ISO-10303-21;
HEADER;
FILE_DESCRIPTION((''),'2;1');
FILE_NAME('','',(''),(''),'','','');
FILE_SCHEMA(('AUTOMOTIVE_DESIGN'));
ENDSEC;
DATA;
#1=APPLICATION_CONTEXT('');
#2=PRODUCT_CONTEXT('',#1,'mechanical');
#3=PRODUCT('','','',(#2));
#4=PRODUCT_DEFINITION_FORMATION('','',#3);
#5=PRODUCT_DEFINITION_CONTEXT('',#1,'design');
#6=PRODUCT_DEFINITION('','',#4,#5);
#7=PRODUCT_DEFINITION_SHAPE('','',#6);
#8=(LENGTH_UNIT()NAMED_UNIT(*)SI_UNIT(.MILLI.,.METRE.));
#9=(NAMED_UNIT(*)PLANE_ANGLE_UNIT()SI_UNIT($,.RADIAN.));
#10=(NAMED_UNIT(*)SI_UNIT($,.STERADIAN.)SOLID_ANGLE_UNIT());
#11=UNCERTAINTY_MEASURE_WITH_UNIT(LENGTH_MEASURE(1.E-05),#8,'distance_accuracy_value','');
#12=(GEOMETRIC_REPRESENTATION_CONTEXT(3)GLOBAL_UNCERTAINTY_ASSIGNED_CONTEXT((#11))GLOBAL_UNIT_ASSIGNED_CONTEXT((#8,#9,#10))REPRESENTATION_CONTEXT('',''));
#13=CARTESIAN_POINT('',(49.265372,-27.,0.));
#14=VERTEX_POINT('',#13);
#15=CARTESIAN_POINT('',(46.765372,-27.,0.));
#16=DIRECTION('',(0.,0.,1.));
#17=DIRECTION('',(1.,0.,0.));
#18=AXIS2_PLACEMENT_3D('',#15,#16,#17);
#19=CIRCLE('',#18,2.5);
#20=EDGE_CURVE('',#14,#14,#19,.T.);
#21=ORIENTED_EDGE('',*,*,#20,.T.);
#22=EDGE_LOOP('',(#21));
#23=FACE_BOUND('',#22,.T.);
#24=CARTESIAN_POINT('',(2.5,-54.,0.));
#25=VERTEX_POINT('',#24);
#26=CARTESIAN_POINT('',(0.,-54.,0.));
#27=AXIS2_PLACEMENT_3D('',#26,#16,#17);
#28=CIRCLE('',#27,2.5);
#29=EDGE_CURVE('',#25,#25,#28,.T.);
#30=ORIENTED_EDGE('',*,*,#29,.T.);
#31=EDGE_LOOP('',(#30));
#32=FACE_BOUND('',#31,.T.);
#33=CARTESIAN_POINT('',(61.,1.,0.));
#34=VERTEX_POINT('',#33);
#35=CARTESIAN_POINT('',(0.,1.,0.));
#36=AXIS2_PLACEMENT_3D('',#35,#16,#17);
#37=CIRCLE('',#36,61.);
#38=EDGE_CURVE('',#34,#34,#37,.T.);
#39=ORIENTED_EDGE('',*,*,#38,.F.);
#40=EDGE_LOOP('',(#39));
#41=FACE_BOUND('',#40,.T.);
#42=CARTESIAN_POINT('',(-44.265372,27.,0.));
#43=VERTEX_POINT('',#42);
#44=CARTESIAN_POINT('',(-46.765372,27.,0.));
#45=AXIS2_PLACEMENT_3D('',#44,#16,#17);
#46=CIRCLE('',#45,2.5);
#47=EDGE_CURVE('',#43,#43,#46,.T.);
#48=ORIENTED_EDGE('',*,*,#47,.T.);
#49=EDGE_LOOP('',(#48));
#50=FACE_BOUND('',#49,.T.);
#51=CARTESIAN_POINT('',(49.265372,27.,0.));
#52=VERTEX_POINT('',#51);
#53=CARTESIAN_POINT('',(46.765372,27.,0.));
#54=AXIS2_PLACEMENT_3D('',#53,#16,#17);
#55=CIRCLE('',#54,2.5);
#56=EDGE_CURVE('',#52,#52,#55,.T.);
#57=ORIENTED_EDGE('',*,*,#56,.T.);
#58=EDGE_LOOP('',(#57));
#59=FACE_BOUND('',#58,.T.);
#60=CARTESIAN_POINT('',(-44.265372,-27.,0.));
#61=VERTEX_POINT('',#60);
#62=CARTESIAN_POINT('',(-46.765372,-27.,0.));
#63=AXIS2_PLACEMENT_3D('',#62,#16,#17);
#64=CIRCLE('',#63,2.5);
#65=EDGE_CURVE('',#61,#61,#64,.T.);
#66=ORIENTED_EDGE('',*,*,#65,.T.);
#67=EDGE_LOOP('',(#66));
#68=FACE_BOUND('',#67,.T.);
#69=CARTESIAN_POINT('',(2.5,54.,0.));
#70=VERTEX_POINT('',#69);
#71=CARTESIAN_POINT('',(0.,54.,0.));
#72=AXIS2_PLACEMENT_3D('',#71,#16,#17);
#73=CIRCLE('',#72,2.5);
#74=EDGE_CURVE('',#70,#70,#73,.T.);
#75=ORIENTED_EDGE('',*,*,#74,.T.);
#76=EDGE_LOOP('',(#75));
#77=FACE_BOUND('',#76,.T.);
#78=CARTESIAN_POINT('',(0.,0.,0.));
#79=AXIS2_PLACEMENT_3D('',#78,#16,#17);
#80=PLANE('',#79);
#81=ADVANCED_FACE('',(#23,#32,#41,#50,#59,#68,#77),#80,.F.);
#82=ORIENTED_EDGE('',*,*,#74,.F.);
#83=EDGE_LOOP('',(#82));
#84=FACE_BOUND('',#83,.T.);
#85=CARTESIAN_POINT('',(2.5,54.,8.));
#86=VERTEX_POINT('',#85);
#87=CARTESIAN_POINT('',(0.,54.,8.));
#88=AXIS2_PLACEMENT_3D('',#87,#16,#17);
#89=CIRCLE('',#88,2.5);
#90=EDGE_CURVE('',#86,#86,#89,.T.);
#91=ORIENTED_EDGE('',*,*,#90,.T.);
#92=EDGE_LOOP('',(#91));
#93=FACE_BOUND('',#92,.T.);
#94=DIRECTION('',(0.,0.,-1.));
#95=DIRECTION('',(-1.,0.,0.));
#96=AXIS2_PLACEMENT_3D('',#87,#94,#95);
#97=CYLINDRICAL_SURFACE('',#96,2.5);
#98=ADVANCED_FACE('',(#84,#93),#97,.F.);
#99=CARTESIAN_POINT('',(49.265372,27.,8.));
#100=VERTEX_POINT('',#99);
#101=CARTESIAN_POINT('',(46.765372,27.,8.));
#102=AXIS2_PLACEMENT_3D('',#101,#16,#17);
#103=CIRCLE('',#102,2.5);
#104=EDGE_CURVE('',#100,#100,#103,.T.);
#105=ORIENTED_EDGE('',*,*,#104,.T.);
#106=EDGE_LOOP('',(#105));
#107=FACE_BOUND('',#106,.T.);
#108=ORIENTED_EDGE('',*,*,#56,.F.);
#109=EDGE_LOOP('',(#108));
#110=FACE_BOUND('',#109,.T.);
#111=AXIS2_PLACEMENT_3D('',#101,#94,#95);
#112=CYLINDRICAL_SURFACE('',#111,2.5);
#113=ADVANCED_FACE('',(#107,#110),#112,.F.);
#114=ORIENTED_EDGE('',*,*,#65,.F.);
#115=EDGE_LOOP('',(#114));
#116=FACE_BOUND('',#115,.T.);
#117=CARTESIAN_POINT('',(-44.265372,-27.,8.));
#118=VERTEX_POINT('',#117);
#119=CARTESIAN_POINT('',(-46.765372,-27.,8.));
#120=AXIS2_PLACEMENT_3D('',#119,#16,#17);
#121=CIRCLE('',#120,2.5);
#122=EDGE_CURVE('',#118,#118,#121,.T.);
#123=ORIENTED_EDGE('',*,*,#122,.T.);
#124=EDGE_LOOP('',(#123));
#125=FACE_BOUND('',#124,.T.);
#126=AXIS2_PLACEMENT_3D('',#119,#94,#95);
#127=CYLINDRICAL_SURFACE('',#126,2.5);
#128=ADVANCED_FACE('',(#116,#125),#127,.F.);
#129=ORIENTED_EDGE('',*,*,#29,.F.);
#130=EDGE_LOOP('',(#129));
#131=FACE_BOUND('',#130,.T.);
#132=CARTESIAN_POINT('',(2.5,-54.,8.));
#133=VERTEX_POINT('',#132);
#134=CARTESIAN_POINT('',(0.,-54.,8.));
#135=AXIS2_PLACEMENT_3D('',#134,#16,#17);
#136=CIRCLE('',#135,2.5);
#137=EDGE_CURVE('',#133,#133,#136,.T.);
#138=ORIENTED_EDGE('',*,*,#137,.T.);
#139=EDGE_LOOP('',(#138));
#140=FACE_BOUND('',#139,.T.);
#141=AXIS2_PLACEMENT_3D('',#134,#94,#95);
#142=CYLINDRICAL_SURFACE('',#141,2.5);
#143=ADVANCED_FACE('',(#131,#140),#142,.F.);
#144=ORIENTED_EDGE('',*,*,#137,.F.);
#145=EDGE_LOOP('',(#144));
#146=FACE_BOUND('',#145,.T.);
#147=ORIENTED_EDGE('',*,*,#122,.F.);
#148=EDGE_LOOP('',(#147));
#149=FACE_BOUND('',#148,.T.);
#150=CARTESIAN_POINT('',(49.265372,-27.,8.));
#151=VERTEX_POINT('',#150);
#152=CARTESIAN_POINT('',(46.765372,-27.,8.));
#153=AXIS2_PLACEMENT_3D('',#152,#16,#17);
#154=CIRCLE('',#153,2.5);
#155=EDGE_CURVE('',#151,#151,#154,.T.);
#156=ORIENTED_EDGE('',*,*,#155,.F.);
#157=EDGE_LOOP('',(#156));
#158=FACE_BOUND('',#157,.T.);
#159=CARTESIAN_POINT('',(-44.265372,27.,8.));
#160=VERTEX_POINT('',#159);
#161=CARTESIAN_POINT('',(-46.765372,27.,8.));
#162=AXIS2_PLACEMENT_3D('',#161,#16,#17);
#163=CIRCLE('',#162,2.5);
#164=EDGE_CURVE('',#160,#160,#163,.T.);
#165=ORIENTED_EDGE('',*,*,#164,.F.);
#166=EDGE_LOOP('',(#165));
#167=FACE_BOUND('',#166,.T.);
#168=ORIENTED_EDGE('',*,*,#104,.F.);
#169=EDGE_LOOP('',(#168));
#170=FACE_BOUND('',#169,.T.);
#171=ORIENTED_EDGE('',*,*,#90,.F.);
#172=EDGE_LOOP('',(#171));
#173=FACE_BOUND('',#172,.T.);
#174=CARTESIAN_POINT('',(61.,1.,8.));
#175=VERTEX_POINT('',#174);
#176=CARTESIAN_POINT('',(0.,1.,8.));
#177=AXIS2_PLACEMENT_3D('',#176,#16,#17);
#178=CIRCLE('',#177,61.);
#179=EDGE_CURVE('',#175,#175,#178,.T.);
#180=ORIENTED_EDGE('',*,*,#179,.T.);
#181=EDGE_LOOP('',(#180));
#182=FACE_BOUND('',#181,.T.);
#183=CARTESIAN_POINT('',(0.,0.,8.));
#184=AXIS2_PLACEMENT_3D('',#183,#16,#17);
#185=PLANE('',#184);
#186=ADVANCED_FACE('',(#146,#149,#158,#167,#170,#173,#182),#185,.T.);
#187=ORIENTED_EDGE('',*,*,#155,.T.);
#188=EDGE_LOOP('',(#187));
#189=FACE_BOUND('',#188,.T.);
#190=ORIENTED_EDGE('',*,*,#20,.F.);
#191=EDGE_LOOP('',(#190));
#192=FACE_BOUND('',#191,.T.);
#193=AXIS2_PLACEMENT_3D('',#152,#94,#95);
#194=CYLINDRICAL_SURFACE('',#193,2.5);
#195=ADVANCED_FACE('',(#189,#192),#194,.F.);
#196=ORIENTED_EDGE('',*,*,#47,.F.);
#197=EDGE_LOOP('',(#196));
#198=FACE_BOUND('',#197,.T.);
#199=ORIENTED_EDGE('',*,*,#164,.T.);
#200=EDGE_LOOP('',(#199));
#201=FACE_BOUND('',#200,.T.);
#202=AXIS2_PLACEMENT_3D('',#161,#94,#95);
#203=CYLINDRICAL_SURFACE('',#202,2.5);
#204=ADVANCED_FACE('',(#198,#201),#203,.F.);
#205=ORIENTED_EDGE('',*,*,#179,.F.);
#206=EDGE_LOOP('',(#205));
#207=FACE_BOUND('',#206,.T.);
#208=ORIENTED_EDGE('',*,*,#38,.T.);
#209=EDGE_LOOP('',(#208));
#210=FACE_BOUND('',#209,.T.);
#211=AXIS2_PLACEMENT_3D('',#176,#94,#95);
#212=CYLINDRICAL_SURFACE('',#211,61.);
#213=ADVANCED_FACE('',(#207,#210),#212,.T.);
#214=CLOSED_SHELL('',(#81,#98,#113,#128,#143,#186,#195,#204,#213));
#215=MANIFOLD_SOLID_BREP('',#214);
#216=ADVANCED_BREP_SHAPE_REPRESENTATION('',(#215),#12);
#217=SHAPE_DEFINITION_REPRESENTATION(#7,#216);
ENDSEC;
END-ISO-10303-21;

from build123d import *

# Parameters (mm, degrees)
SKETCH1_R           = 61
SKETCH1_R_2         = 2.5
BOSS_EXTRUDE1_DEPTH = 8


with BuildPart() as part:
    # Sketch1 → Boss-Extrude1 (new body)
    with BuildSketch(Plane(origin=(0, 0, 0), x_dir=(-1, 0, 0), z_dir=(0, 0, 1))):
        with Locations(Location((0, -1, 0), (0, 0, 180))):
            Circle(SKETCH1_R)
        with Locations(Location((0, 54, 0), (0, 0, 180))):
            Circle(SKETCH1_R_2, mode=Mode.SUBTRACT)
        with Locations(Location((46.765371804, 27, 0), (0, 0, 180))):
            Circle(SKETCH1_R_2, mode=Mode.SUBTRACT)
        with Locations(Location((46.765371804, -27, 0), (0, 0, 180))):
            Circle(SKETCH1_R_2, mode=Mode.SUBTRACT)
        with Locations(Location((0, -54, 0), (0, 0, 180))):
            Circle(SKETCH1_R_2, mode=Mode.SUBTRACT)
        with Locations(Location((-46.765371804, -27, 0), (0, 0, 180))):
            Circle(SKETCH1_R_2, mode=Mode.SUBTRACT)
        with Locations(Location((-46.765371804, 27, 0), (0, 0, 180))):
            Circle(SKETCH1_R_2, mode=Mode.SUBTRACT)
    extrude(amount=BOSS_EXTRUDE1_DEPTH)


solid = part.part
